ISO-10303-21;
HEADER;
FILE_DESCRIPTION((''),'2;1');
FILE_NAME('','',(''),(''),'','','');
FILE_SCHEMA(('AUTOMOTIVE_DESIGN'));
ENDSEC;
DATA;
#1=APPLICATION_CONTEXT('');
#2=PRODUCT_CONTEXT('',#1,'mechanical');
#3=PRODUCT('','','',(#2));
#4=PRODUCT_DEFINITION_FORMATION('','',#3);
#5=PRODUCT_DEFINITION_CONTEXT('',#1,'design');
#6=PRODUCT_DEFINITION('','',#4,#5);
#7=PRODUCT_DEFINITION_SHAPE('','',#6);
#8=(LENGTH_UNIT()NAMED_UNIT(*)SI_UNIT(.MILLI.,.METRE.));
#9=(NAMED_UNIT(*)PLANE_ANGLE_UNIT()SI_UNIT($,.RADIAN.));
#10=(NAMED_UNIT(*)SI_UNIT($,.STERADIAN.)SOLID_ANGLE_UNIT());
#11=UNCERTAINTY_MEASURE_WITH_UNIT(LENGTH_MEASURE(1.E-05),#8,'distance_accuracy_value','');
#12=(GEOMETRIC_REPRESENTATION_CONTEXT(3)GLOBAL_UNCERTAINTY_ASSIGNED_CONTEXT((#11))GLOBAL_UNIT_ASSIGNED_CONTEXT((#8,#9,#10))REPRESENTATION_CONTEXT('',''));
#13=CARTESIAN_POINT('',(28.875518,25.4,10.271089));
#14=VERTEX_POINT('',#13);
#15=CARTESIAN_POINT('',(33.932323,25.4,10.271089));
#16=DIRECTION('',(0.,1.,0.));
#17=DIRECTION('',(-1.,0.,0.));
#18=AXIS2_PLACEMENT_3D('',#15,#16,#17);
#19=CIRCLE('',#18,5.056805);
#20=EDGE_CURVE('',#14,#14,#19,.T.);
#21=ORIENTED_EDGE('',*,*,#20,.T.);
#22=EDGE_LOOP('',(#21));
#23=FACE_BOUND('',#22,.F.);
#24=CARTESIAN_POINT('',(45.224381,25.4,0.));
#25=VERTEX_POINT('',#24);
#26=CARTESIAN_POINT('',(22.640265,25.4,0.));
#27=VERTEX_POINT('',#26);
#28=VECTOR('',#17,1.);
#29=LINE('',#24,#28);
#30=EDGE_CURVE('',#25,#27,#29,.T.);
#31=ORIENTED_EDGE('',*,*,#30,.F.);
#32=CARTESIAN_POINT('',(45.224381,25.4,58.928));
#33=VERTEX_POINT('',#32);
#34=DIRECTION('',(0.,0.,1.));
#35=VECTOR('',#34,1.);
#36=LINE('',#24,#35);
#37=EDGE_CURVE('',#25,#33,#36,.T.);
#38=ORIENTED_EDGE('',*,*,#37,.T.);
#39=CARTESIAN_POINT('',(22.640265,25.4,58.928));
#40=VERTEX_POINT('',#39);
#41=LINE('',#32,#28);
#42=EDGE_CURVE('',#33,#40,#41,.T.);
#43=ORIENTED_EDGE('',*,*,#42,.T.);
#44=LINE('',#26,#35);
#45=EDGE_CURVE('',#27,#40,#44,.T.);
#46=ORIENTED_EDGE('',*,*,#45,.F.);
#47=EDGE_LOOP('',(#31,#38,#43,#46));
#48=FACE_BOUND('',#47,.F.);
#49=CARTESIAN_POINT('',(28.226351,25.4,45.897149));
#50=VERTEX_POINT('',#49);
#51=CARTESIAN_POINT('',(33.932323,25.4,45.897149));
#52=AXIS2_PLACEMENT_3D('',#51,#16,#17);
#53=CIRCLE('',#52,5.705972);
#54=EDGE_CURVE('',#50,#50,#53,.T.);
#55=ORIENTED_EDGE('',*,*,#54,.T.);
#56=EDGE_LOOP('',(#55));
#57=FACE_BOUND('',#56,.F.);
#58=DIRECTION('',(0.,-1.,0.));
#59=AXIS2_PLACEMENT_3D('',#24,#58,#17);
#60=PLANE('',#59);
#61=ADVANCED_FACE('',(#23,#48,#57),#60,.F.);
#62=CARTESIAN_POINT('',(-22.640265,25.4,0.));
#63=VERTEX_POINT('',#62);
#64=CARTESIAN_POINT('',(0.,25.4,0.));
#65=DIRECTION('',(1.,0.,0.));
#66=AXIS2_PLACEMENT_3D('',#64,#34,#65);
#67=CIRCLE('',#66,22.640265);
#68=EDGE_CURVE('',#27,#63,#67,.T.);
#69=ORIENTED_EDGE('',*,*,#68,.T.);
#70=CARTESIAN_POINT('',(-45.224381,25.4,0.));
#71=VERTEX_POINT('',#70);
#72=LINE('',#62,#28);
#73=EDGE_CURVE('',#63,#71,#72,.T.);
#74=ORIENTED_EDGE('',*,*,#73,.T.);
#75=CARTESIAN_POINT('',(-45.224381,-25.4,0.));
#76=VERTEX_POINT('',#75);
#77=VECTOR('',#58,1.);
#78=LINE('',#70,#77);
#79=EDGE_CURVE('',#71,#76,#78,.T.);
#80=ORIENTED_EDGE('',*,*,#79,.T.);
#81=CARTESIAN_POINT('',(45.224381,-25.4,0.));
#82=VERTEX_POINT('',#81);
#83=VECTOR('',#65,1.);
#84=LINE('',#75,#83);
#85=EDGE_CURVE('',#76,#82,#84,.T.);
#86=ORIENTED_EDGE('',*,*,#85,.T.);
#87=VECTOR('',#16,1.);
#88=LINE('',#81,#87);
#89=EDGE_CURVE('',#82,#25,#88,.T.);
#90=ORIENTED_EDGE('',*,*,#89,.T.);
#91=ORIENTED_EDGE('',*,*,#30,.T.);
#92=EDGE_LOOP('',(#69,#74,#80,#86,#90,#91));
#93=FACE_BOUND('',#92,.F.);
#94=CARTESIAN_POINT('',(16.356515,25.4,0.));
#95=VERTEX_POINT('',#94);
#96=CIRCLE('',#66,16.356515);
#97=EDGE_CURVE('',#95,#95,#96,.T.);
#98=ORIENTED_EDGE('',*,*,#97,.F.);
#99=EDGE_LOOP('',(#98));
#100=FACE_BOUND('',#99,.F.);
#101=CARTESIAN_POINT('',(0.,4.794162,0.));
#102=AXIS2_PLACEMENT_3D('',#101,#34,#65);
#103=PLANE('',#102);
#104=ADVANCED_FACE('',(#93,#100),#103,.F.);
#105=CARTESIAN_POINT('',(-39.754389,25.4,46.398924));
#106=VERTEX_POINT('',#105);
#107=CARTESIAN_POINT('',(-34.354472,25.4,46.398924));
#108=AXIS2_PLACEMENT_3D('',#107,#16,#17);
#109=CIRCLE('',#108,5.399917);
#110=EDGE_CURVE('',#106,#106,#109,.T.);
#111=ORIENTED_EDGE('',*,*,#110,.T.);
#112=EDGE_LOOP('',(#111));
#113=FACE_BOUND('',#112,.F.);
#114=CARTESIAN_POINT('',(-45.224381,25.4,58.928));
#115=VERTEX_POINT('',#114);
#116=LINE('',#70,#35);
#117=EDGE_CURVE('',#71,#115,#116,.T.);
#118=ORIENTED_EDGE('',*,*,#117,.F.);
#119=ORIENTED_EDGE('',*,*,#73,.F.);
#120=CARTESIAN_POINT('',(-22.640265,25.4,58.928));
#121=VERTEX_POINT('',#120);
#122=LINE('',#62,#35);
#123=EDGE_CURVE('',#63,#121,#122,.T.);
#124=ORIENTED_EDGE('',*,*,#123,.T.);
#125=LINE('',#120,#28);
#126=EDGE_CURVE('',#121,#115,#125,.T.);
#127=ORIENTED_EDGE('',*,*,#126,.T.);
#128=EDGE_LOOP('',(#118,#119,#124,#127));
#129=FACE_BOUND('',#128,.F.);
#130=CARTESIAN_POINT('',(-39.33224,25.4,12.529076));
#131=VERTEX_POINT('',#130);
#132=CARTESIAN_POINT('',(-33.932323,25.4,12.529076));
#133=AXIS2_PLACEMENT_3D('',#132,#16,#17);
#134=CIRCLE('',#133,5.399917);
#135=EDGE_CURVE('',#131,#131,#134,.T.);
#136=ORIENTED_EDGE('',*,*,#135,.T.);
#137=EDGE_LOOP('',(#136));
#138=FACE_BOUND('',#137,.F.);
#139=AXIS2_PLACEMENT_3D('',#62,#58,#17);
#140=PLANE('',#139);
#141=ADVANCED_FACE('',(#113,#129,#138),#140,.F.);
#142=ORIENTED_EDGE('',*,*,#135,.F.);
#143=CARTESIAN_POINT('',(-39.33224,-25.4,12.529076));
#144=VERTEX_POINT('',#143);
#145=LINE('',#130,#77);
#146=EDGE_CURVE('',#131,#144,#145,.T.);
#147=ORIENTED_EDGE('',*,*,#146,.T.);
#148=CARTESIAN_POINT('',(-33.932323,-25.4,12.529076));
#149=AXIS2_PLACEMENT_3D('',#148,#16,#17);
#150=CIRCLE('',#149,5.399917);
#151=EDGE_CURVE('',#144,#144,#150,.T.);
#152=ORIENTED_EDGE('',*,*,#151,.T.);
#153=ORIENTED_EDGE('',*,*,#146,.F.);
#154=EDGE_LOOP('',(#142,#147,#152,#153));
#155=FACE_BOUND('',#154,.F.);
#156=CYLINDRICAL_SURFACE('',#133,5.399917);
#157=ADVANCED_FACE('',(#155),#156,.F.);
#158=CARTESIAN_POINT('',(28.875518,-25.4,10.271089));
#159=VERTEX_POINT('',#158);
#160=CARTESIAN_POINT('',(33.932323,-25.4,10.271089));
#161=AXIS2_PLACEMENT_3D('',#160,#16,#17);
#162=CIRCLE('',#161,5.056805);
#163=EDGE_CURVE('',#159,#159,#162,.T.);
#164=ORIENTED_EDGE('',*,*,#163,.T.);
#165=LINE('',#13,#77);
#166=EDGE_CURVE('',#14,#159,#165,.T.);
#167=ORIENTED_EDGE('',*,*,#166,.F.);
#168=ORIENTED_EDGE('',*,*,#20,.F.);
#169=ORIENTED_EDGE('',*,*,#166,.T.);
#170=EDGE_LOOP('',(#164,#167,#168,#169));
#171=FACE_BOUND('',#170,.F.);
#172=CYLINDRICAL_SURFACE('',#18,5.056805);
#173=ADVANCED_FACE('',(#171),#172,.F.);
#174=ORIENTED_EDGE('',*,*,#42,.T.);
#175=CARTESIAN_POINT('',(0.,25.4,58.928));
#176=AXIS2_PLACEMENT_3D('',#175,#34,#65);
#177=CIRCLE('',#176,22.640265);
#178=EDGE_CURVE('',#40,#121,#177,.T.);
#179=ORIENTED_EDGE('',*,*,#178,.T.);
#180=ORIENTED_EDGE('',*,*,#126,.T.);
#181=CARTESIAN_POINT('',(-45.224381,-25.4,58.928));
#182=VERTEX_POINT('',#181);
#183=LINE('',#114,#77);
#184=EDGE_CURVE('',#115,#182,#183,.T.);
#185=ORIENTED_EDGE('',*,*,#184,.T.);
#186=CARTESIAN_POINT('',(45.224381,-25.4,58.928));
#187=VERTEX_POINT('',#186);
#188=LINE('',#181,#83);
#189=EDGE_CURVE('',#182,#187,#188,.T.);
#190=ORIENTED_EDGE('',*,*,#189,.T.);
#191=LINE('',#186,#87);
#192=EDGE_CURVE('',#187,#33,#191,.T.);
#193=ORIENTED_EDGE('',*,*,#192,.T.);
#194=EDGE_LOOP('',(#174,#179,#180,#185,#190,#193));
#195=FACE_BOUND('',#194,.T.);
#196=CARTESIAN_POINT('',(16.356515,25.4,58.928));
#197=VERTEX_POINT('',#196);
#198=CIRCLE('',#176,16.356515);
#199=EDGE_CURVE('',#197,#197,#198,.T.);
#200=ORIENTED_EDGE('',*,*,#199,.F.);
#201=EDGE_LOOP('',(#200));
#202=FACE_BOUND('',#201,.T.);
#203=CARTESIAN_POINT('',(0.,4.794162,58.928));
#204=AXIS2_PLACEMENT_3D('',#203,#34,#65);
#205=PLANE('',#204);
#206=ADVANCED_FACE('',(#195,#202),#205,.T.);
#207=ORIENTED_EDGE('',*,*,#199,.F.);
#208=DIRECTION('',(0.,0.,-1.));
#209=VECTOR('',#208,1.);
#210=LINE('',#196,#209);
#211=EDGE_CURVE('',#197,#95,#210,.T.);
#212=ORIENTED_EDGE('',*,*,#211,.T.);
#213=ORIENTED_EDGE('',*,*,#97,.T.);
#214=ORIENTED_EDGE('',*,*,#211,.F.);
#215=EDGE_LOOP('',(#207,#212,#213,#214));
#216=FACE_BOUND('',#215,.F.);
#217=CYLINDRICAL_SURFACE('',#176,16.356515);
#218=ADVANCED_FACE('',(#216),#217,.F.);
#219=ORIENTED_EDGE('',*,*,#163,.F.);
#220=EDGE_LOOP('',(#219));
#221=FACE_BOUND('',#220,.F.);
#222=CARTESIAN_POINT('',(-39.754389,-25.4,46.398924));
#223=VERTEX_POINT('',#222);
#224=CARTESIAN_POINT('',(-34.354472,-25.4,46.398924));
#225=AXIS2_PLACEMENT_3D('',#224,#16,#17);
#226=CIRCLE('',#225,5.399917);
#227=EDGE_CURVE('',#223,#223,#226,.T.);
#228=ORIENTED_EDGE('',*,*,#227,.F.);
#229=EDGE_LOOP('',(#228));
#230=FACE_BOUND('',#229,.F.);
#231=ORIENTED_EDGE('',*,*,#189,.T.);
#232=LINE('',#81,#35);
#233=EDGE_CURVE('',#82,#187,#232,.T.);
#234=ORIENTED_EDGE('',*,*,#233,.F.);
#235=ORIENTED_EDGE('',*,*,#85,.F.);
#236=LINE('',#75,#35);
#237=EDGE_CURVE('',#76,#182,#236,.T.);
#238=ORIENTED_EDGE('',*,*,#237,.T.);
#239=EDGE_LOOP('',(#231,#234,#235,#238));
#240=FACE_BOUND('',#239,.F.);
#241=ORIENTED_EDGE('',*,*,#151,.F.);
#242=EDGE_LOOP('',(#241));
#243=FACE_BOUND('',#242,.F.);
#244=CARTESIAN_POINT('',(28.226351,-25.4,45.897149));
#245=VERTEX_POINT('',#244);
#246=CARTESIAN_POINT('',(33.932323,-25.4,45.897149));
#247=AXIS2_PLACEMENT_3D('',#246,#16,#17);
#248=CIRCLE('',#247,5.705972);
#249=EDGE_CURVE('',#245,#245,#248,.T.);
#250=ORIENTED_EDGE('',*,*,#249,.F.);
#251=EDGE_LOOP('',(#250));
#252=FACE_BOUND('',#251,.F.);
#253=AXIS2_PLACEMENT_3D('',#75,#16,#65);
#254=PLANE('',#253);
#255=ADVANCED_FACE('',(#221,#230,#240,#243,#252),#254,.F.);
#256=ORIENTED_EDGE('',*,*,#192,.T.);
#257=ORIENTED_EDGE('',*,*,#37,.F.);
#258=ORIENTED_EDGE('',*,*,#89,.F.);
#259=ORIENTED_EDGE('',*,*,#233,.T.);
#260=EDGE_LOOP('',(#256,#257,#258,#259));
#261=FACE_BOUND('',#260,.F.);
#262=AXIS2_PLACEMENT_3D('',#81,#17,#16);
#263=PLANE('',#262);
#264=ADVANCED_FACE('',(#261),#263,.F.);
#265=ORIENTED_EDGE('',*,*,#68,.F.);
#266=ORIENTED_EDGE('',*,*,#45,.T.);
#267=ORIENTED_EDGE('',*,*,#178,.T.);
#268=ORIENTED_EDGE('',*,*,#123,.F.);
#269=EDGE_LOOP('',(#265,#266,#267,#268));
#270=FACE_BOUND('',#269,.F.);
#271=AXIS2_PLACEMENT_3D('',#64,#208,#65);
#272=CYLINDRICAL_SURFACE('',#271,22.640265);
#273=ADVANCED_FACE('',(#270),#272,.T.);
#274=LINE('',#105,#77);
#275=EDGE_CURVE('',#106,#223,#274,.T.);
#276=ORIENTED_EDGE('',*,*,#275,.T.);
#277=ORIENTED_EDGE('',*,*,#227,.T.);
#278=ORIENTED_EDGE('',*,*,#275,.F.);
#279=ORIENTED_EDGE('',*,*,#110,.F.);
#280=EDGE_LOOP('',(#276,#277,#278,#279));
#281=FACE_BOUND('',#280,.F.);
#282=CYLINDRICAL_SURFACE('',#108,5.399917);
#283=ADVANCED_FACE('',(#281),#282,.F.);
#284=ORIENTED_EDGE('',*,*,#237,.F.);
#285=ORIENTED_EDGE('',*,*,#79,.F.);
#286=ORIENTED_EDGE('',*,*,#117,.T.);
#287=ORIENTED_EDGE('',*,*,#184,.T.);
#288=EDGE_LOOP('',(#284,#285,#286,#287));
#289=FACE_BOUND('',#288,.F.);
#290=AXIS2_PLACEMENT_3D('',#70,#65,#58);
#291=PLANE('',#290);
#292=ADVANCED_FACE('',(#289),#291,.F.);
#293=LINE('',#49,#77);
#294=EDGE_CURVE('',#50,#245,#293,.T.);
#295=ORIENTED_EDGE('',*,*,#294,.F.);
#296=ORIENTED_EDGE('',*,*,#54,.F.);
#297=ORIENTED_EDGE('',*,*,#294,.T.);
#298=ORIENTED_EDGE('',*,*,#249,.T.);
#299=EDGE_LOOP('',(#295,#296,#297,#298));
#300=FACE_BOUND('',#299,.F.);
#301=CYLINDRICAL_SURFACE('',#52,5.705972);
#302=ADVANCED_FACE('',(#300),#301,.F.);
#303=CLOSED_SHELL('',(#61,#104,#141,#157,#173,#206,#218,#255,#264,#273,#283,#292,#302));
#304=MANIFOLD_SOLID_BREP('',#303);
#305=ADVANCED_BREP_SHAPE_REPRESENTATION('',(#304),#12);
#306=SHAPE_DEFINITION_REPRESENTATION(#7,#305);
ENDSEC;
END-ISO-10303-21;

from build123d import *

# Parameters (mm, degrees)
F1_DEPTH = 58.928
F2_R     = 16.356515
F3_DEPTH = 79.502
F4_R     = 5.399917
F5_DEPTH = 98.044
F6_R     = 5.056805
F6_R_2   = 5.705972
F7_DEPTH = 93.726


with BuildPart() as f1:
    # F0 (on Top) → F1 (new body)
    with BuildSketch(Plane.XY):
        with BuildLine():
            Line((45.224381, -25.4), (45.224381, 25.4))
            Line((45.224381, 25.4), (22.640265, 25.4))
            ThreePointArc((22.640265, 25.4), (0, 48.040265), (-22.640265, 25.4))
            Line((-22.640265, 25.4), (-45.224381, 25.4))
            Line((-45.224381, 25.4), (-45.224381, -25.4))
            Line((-45.224381, -25.4), (45.224381, -25.4))
        make_face()
    extrude(amount=F1_DEPTH)

    # F2 (on face) → F3 (cut)
    with BuildSketch(Plane.XY.offset(58.928)):
        with Locations((0, 25.4)):
            Circle(F2_R)
    extrude(amount=-F3_DEPTH, mode=Mode.SUBTRACT)

    # F4 (on face) → F5 (cut)
    with BuildSketch(Plane(origin=(0, 25.4, 0), x_dir=(-1, 0, 0), z_dir=(0, 1, 0))):
        with Locations((33.932323, 12.529076)):
            Circle(F4_R)
        with Locations((34.354472, 46.398924)):
            Circle(F4_R)
    extrude(amount=-F5_DEPTH, mode=Mode.SUBTRACT)

    # F6 (on face) → F7 (cut)
    with BuildSketch(Plane(origin=(0, 25.4, 0), x_dir=(-1, 0, 0), z_dir=(0, 1, 0))):
        with Locations((-33.932323, 10.271089)):
            Circle(F6_R)
        with Locations((-33.932323, 45.897149)):
            Circle(F6_R_2)
    extrude(amount=-F7_DEPTH, mode=Mode.SUBTRACT)


solid = f1.part
